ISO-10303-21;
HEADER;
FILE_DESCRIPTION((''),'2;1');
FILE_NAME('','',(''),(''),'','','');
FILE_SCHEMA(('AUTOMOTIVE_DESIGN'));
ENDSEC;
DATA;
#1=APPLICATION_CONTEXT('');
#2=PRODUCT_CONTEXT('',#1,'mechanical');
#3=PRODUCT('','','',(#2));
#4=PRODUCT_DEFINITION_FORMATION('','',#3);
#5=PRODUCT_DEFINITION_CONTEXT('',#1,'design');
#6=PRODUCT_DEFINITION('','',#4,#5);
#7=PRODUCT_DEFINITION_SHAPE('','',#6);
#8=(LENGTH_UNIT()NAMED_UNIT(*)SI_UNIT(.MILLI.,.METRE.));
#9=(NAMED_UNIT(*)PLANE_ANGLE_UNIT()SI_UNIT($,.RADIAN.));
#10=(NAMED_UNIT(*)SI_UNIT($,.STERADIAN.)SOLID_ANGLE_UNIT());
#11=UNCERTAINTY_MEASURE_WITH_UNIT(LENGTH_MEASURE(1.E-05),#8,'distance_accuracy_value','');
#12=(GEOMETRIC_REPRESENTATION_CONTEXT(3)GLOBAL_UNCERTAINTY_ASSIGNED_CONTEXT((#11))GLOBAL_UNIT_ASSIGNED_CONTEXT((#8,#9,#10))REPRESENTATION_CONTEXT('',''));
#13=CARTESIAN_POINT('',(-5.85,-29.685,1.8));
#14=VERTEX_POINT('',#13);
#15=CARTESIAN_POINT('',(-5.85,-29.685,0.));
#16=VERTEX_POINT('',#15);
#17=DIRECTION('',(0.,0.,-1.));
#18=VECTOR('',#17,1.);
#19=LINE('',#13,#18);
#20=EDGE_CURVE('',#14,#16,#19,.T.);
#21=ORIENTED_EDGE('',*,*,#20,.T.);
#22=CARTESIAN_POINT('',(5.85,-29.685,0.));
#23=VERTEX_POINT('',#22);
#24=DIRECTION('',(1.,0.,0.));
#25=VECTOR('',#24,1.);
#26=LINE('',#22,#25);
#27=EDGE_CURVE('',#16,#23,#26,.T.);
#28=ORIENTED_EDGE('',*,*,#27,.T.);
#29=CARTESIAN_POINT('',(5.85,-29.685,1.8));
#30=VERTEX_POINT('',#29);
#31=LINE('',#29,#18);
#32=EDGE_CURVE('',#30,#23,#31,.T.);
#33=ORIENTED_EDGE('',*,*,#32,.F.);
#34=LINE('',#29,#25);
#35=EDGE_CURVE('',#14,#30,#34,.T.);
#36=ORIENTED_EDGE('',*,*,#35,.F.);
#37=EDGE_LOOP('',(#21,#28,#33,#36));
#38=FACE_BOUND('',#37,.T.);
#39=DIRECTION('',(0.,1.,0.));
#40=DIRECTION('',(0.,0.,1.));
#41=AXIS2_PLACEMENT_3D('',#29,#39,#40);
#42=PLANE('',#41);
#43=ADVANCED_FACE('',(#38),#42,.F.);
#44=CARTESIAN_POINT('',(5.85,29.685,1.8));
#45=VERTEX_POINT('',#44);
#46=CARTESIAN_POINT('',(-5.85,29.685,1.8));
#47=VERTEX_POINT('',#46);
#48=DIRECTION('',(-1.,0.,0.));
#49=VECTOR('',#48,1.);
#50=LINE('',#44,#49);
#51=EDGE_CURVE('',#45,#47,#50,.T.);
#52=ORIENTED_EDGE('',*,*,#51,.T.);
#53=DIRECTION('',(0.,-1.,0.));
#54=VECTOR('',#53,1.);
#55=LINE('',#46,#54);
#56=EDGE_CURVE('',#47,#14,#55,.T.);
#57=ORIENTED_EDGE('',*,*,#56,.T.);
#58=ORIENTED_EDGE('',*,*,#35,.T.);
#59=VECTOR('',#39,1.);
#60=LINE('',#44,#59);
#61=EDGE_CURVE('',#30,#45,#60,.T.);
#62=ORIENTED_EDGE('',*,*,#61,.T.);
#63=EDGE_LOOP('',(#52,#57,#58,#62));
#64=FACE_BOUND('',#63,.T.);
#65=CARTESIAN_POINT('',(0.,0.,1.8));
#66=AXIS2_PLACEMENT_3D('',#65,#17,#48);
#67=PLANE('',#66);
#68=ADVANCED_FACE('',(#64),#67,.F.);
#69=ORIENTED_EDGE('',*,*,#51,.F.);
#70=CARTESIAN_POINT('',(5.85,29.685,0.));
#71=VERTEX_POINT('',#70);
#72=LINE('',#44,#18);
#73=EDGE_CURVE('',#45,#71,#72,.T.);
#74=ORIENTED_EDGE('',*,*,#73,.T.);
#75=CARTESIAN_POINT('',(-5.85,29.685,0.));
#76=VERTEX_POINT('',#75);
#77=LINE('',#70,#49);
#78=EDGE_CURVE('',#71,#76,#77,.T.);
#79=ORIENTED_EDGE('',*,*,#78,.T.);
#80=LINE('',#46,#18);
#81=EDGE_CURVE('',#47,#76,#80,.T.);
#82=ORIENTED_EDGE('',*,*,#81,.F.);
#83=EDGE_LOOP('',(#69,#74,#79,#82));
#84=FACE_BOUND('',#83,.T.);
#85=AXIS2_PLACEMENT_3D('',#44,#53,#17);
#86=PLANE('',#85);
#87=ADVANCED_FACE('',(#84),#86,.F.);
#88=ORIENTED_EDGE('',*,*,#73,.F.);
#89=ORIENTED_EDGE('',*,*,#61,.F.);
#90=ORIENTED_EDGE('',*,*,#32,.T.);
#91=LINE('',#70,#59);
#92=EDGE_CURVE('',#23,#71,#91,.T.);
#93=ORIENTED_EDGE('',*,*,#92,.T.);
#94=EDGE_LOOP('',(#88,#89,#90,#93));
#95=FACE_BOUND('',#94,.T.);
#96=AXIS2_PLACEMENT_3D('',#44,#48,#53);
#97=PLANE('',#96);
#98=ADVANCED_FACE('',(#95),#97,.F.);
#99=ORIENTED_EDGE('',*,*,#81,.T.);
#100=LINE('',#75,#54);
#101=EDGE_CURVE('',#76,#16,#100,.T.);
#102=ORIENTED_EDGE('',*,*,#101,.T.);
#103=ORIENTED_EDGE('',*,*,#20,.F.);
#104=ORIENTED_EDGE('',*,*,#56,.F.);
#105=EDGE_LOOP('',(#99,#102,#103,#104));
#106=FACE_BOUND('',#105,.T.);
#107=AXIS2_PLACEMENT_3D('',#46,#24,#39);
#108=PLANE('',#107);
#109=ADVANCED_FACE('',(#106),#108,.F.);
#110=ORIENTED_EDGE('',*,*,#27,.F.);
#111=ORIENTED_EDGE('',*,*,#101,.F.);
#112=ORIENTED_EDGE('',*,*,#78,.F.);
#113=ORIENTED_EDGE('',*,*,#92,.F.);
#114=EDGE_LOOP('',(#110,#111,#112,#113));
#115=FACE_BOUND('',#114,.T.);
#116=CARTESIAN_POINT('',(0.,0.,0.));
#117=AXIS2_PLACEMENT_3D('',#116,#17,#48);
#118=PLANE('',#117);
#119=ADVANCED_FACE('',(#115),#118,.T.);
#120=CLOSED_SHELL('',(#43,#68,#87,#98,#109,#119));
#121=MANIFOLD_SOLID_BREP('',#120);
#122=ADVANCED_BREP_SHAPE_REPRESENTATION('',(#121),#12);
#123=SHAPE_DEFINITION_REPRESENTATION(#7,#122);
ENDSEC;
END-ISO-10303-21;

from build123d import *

# Parameters (mm, degrees)
ESQUISSE1_W        = 11.7
ESQUISSE1_H        = 59.37
BOSS_EXTRU_1_DEPTH = 1.8


with BuildPart() as part:
    # Esquisse1 → Boss.-Extru.1 (new body)
    with BuildSketch(Plane.XY):
        Rectangle(ESQUISSE1_W, ESQUISSE1_H)
    extrude(amount=BOSS_EXTRU_1_DEPTH)


solid = part.part
